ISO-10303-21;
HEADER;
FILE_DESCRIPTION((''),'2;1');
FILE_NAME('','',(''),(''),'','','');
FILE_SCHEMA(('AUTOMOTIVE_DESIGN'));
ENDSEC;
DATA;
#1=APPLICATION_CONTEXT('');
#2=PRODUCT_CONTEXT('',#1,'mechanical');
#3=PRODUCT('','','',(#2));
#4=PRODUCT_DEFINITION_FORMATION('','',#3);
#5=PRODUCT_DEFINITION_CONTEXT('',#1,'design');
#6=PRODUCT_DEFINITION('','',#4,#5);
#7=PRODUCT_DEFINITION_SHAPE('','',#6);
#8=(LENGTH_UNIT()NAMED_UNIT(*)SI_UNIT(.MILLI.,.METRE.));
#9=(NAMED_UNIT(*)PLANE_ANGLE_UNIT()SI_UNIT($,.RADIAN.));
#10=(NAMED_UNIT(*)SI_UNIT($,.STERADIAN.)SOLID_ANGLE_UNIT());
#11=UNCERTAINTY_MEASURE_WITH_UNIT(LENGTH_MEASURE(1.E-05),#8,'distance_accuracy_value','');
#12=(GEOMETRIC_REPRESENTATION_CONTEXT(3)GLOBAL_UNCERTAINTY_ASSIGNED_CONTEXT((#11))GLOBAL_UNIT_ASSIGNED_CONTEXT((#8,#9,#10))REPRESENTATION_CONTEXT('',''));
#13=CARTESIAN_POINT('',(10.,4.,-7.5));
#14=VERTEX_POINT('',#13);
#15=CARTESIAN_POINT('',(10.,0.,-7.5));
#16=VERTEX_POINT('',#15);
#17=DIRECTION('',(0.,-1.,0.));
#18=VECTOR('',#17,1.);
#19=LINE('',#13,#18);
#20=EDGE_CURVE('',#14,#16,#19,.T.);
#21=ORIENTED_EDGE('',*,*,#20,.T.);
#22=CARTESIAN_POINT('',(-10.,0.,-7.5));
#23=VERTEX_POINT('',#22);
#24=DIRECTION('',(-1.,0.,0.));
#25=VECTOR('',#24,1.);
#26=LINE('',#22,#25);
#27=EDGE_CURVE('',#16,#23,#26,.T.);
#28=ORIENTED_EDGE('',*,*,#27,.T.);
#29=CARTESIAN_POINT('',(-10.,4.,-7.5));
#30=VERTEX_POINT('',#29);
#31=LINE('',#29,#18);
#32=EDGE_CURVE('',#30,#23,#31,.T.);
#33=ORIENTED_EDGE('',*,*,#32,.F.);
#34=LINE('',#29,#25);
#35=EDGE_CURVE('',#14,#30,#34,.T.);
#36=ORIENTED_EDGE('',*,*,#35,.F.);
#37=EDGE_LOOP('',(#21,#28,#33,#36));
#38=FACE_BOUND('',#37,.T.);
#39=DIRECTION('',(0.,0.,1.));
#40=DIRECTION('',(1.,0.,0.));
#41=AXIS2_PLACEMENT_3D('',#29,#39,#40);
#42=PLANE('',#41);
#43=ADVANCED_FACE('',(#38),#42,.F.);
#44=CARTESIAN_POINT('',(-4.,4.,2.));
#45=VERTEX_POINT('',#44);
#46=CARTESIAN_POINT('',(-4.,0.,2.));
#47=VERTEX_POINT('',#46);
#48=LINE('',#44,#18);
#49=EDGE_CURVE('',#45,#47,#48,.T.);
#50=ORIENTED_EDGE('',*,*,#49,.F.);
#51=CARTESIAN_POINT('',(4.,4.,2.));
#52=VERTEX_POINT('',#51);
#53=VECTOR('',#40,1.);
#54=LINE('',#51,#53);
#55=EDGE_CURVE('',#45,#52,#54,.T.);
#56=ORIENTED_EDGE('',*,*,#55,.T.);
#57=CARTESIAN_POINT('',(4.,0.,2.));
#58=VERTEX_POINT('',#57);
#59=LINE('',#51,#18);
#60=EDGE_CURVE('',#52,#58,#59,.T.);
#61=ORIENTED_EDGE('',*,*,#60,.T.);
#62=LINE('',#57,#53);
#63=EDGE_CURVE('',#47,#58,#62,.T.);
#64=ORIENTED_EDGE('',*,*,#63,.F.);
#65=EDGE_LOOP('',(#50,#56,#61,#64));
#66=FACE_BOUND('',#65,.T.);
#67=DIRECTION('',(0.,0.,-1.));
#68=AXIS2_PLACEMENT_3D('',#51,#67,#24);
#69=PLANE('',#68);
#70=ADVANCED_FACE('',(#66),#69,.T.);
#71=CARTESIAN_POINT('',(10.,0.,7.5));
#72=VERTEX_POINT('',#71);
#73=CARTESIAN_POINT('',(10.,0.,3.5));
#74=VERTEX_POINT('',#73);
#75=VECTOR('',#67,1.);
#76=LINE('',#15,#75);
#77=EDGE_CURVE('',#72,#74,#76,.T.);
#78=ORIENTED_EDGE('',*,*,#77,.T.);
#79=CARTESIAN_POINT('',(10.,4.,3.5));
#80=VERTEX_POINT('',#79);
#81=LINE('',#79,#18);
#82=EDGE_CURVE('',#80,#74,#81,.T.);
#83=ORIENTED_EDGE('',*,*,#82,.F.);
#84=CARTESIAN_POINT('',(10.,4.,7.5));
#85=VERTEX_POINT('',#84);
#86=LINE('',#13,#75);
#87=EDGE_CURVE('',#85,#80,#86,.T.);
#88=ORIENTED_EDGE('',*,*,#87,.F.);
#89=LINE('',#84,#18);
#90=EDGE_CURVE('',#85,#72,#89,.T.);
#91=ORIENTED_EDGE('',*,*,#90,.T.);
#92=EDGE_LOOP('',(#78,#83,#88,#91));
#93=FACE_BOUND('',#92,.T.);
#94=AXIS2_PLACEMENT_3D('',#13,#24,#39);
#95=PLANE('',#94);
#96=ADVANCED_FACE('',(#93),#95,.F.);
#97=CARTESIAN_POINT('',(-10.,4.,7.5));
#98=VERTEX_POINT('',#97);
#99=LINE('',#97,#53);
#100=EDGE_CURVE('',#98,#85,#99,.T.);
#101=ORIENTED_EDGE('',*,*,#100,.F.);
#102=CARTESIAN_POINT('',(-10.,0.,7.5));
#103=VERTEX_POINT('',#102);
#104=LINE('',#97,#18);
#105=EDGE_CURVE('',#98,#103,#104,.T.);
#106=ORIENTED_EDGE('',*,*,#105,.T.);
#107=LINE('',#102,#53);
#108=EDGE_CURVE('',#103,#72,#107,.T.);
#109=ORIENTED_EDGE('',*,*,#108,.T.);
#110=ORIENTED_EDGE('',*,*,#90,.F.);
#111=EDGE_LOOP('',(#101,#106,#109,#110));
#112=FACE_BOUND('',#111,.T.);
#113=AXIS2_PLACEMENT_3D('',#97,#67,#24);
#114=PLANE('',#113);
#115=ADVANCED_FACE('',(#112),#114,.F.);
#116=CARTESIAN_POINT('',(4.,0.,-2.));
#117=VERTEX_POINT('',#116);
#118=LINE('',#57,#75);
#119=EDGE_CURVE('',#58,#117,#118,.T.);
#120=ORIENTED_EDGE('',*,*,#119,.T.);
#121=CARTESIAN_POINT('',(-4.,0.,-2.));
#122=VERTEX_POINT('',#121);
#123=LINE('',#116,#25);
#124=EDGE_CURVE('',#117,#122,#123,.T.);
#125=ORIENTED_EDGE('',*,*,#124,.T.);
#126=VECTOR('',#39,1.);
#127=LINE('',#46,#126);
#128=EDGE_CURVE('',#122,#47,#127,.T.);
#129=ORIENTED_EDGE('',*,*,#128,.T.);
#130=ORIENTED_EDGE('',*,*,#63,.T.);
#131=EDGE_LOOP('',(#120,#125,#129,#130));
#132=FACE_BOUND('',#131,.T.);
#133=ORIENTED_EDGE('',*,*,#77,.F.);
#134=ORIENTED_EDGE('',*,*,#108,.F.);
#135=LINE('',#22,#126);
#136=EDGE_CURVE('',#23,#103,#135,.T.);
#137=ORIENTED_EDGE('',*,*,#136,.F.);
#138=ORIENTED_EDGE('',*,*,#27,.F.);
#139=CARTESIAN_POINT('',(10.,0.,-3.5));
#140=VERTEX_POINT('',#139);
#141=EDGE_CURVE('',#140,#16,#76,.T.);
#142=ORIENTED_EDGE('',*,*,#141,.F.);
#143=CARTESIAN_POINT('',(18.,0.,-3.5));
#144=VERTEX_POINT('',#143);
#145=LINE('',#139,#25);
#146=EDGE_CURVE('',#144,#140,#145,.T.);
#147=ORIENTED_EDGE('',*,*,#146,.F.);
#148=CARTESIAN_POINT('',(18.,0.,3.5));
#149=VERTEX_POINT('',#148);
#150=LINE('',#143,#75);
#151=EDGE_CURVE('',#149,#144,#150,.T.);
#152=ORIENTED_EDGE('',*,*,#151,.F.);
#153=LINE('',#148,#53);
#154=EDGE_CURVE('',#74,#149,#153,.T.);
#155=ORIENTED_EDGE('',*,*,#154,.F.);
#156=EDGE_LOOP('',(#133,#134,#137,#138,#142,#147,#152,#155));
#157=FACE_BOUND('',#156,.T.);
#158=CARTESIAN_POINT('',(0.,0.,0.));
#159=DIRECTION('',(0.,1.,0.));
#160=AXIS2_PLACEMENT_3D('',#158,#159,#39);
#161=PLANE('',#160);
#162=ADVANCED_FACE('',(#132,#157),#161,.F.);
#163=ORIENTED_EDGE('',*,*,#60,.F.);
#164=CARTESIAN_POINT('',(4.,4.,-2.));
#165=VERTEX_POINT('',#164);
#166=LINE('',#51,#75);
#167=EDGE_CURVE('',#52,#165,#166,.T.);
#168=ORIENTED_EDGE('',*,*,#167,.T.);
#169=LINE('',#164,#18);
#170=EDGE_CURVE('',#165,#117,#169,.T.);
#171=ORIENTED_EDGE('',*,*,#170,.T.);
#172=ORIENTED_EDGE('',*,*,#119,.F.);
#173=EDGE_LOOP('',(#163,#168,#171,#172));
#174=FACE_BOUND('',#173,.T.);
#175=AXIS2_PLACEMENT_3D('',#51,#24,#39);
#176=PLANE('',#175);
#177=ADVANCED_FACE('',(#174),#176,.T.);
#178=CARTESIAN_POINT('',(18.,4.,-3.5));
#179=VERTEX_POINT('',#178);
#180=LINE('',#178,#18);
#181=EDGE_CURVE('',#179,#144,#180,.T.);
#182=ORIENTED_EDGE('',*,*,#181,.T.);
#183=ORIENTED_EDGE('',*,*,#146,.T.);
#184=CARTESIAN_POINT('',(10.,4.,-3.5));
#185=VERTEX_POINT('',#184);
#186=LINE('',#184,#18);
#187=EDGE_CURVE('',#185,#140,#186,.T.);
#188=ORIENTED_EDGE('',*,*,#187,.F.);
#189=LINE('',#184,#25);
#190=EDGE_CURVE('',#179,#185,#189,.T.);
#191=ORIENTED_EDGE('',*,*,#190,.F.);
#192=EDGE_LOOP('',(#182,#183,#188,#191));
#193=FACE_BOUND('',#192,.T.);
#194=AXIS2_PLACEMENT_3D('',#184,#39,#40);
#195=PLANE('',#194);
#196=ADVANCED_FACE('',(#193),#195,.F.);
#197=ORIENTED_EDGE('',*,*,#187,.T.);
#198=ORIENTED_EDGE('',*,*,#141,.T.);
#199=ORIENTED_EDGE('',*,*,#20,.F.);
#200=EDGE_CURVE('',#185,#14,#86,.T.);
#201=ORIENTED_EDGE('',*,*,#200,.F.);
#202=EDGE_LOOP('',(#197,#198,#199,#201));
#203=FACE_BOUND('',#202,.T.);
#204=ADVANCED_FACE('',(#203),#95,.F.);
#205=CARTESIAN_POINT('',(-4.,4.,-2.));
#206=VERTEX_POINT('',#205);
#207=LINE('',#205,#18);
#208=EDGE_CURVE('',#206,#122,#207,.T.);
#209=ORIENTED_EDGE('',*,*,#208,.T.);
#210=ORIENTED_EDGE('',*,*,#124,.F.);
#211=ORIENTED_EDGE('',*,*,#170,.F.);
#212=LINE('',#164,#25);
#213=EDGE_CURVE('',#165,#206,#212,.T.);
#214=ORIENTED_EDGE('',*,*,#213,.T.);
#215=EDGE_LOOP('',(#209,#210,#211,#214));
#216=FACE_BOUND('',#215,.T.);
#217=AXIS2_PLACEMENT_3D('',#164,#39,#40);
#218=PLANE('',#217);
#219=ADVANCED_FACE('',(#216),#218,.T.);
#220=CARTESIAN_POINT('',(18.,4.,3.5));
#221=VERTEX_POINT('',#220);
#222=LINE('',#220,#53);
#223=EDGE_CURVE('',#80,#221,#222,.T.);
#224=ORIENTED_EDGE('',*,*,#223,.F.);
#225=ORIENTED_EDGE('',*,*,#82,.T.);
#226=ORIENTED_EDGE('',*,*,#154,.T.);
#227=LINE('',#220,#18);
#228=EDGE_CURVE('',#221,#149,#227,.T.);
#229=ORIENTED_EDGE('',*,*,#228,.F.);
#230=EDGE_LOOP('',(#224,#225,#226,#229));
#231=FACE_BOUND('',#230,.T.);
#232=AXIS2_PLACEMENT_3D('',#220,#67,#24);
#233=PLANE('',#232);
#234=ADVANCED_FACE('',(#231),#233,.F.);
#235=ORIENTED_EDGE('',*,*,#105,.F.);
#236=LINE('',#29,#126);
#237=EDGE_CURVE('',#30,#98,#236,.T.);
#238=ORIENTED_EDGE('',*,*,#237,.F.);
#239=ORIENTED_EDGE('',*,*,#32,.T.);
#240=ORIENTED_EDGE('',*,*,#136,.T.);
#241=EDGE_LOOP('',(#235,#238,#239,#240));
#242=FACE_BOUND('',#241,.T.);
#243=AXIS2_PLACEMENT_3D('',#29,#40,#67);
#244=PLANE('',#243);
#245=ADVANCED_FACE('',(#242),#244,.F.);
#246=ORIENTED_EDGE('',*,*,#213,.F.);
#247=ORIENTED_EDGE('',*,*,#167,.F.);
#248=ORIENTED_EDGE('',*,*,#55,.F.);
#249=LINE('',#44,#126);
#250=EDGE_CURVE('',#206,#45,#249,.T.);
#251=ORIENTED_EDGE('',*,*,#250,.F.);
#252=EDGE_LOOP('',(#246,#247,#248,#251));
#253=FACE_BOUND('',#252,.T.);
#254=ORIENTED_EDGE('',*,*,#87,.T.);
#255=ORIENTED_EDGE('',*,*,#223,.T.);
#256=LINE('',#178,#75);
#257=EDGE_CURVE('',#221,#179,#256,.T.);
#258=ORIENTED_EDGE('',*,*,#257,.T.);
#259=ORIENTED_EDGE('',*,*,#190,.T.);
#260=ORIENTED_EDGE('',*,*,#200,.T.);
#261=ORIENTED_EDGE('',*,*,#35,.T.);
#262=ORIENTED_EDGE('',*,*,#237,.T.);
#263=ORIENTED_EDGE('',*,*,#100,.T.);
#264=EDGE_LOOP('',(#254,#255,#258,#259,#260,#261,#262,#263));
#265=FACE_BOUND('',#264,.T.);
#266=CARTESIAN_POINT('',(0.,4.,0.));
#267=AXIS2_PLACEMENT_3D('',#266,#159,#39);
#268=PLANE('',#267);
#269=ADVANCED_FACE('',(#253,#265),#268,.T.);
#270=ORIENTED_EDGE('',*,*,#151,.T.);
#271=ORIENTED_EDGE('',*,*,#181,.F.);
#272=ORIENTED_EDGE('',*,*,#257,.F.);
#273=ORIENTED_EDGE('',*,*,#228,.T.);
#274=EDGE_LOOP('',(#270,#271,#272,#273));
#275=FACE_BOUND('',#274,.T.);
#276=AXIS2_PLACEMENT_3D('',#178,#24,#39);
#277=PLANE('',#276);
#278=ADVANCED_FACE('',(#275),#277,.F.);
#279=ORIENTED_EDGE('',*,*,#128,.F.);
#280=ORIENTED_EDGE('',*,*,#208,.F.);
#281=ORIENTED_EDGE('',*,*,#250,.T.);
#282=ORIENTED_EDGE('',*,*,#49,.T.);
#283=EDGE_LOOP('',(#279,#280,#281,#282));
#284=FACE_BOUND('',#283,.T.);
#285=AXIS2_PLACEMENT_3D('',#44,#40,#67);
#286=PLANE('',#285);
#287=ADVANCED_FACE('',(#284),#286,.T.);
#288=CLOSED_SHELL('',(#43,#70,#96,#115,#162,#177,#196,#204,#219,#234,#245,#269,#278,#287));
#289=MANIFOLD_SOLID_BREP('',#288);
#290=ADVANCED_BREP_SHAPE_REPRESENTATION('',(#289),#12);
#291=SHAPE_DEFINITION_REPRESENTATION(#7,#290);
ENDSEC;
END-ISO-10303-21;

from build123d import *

# Parameters (mm, degrees)
SKETCH1_W           = 20
SKETCH1_H           = 15
SKETCH1_W_2         = 8
SKETCH1_H_2         = 4
BOSS_EXTRUDE1_DEPTH = 4
SKETCH2_W           = 8
SKETCH2_H           = 7
BOSS_EXTRUDE3_DEPTH = 4


with BuildPart() as part:
    # Sketch1 → Boss-Extrude1 (new body)
    with BuildSketch(Plane(origin=(0, 0, 0), x_dir=(1, 0, 0), z_dir=(0, 1, 0))):
        Rectangle(SKETCH1_W, SKETCH1_H)
        Rectangle(SKETCH1_W_2, SKETCH1_H_2, mode=Mode.SUBTRACT)
    extrude(amount=BOSS_EXTRUDE1_DEPTH)

    # Sketch2 → Boss-Extrude3 (add)
    with BuildSketch(Plane(origin=(0, 0, 0), x_dir=(1, 0, 0), z_dir=(0, 1, 0))):
        with Locations((14, 0)):
            Rectangle(SKETCH2_W, SKETCH2_H)
    extrude(amount=BOSS_EXTRUDE3_DEPTH)


solid = part.part
